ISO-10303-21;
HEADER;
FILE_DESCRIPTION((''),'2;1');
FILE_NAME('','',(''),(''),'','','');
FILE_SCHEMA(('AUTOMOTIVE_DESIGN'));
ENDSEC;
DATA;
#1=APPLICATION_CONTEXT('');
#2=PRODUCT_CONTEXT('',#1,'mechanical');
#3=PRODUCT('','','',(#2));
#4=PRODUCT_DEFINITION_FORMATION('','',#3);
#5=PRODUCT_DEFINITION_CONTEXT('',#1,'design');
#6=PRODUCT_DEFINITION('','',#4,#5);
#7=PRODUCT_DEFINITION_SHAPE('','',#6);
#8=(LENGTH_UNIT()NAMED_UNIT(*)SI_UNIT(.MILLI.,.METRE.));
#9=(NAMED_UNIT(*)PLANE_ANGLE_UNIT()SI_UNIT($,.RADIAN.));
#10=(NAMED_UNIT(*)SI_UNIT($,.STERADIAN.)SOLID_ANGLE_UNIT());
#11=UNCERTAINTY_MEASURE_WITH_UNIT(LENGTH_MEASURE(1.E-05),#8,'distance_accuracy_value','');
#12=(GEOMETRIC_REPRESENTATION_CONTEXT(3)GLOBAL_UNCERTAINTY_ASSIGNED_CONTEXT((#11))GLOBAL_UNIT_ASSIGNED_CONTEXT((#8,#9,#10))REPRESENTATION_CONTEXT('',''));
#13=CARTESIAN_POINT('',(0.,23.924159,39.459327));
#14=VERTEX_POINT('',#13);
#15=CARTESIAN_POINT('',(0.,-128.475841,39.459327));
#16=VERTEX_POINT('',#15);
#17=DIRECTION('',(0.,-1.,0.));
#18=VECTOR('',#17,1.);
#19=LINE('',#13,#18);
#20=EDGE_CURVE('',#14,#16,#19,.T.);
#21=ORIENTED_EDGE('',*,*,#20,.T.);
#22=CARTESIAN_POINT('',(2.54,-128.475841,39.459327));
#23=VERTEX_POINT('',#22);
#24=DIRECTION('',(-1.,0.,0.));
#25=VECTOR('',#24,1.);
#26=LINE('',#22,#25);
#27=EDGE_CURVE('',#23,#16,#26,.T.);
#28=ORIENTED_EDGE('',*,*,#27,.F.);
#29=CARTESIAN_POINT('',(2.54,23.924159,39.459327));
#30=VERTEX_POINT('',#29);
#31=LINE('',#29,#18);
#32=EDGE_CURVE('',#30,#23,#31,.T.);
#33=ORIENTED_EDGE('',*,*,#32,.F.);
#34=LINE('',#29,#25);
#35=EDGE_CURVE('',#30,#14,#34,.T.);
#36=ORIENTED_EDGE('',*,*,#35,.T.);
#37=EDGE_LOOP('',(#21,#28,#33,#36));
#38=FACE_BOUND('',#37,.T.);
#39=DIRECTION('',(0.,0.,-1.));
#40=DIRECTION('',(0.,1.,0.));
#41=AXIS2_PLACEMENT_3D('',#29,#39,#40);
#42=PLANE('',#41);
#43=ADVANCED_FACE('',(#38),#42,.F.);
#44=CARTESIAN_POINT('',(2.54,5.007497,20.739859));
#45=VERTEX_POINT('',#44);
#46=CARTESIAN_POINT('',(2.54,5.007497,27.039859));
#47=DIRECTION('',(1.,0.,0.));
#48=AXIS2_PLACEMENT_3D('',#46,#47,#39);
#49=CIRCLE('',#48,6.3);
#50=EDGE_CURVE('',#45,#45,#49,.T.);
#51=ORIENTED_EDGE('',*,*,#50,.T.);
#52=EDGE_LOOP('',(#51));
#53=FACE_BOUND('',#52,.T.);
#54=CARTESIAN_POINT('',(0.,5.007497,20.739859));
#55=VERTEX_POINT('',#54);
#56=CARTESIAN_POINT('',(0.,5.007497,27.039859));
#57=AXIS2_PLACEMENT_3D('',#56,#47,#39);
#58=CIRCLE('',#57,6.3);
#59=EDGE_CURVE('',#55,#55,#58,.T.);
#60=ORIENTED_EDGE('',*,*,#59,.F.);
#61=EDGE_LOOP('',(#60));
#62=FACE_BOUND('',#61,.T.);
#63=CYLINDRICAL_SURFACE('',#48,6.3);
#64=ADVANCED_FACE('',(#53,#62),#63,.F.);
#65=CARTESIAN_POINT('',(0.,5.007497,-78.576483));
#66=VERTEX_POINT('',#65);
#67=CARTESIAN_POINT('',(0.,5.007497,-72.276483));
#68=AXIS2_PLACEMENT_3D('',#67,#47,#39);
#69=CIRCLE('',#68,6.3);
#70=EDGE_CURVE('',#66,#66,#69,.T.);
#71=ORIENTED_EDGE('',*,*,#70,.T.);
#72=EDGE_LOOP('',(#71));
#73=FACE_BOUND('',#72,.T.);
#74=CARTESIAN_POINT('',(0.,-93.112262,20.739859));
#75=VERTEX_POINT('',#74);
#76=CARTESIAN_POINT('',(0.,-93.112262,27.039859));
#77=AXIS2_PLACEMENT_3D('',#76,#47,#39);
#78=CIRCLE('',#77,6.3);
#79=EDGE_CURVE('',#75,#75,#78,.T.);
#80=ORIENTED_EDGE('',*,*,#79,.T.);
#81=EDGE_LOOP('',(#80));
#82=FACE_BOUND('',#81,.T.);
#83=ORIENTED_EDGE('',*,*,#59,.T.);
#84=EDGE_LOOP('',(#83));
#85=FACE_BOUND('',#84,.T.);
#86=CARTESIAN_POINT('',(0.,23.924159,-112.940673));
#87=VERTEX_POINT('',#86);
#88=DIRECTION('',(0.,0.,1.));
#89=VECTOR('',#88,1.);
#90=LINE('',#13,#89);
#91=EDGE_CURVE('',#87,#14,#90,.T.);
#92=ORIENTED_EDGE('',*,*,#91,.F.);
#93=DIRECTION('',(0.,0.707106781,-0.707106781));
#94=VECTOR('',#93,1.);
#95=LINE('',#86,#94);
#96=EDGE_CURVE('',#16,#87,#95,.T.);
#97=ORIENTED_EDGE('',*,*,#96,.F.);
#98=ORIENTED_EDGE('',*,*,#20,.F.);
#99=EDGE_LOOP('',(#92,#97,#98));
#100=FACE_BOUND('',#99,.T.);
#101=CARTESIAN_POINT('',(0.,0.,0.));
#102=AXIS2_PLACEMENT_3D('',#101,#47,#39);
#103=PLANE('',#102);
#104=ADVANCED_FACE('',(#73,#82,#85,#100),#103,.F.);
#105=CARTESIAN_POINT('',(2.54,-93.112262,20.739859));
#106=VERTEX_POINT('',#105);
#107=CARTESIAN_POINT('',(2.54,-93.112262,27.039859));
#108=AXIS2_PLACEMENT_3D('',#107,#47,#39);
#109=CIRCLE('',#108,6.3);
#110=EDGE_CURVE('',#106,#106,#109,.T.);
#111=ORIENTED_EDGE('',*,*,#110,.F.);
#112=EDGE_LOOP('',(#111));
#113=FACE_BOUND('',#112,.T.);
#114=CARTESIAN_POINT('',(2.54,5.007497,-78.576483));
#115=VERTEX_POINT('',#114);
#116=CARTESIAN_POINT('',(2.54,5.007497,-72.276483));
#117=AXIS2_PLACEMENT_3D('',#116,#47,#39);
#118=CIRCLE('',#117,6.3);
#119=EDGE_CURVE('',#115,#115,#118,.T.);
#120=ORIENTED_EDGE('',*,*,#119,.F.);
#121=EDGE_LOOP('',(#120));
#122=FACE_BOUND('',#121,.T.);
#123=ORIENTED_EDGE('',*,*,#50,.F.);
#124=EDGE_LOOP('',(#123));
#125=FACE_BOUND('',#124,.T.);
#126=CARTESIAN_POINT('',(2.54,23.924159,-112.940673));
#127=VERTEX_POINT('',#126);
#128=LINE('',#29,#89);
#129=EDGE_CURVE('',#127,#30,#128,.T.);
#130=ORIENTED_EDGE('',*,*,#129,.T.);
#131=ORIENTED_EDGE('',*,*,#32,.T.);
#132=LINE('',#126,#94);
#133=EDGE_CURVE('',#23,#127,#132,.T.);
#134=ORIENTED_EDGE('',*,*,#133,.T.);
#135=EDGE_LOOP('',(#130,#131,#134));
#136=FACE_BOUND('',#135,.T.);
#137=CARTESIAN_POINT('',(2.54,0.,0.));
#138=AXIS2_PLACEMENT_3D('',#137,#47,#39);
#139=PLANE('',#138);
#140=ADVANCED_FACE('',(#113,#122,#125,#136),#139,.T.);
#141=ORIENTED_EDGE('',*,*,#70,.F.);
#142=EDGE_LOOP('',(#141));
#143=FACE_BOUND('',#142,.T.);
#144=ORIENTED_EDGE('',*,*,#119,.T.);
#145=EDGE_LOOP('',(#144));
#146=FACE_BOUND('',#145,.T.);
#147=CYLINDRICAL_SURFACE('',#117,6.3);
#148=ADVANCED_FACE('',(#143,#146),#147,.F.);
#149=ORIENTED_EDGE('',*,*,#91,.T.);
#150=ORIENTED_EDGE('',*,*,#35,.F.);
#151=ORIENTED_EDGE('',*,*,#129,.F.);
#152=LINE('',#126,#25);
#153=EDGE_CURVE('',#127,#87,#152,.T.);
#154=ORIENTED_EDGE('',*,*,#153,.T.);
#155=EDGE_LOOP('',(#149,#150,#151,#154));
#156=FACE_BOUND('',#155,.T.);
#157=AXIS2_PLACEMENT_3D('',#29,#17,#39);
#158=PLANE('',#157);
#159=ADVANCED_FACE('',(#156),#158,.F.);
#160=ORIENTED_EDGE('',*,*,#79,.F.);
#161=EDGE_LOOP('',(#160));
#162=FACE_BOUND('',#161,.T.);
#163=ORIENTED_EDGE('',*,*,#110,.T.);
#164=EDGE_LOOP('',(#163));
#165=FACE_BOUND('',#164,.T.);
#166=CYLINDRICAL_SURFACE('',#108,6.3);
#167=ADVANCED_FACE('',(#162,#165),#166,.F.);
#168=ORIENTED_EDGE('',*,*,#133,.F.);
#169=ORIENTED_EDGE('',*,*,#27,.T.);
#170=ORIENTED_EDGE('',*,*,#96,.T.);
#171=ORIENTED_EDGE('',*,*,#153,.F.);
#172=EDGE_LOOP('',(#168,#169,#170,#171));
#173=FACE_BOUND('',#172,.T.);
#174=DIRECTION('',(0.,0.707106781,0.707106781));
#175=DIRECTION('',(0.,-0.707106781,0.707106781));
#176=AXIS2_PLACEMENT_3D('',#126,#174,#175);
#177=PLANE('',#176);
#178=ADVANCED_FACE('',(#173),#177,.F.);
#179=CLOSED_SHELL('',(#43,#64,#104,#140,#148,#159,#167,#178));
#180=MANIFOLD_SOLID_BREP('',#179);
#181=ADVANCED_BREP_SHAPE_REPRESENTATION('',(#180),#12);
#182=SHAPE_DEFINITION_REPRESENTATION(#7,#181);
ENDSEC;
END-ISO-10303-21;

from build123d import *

# Parameters (mm, degrees)
BOSS_EXTRUDE1_DEPTH                            = 2.54
CSK_FOR_M6_FLAT_HEAD_MACHINE_SCREW1_AT_2_COUNT = 2
CSK_FOR_M6_FLAT_HEAD_MACHINE_SCREW1_AT_2_PITCH = 99.31634163
CSK_FOR_M6_FLAT_HEAD_MACHINE_SCREW1_AT_3_COUNT = 2
CSK_FOR_M6_FLAT_HEAD_MACHINE_SCREW1_AT_3_PITCH = 98.119759201


with BuildPart() as part:
    # Sketch1 → Boss-Extrude1 (new body)
    with BuildSketch(Plane(origin=(0, 0, 0), x_dir=(0, 0, -1), z_dir=(1, 0, 0))):
        Polygon((112.940672783, 23.924159021), (-39.459327217, -128.475840979), (-39.459327217, 23.924159021), align=None)
    extrude(amount=BOSS_EXTRUDE1_DEPTH)

    # Sketch3 → CSK for M6 Flat Head Machine Screw1 (revolve, cut)
    with BuildSketch(Plane(origin=(2.54, 5.007497158, 27.039858725), x_dir=(0, 0, -1), z_dir=(0, 1, 0))):
        Polygon((0, 0), (0, 2.54), (3.3, 2.54), (3.3, 28.4), (6.3, 25.4), (6.3, 0), align=None)
    csk_for_m6_flat_head_machine_screw1 = revolve(axis=Axis((8.89, 5.007497158, 27.039858725), (-1, 0, 0)), mode=Mode.SUBTRACT)

    # CSK for M6 Flat Head Machine Screw1 at 2: CSK for M6 Flat Head Machine Screw1 ×2
    with Locations(*[(0, 0, -i * CSK_FOR_M6_FLAT_HEAD_MACHINE_SCREW1_AT_2_PITCH) for i in range(1, CSK_FOR_M6_FLAT_HEAD_MACHINE_SCREW1_AT_2_COUNT)]):
        add(csk_for_m6_flat_head_machine_screw1, mode=Mode.SUBTRACT)

    # CSK for M6 Flat Head Machine Screw1 at 3: CSK for M6 Flat Head Machine Screw1 ×2
    with Locations(*[(0, -i * CSK_FOR_M6_FLAT_HEAD_MACHINE_SCREW1_AT_3_PITCH, 0) for i in range(1, CSK_FOR_M6_FLAT_HEAD_MACHINE_SCREW1_AT_3_COUNT)]):
        add(csk_for_m6_flat_head_machine_screw1, mode=Mode.SUBTRACT)


solid = part.part
